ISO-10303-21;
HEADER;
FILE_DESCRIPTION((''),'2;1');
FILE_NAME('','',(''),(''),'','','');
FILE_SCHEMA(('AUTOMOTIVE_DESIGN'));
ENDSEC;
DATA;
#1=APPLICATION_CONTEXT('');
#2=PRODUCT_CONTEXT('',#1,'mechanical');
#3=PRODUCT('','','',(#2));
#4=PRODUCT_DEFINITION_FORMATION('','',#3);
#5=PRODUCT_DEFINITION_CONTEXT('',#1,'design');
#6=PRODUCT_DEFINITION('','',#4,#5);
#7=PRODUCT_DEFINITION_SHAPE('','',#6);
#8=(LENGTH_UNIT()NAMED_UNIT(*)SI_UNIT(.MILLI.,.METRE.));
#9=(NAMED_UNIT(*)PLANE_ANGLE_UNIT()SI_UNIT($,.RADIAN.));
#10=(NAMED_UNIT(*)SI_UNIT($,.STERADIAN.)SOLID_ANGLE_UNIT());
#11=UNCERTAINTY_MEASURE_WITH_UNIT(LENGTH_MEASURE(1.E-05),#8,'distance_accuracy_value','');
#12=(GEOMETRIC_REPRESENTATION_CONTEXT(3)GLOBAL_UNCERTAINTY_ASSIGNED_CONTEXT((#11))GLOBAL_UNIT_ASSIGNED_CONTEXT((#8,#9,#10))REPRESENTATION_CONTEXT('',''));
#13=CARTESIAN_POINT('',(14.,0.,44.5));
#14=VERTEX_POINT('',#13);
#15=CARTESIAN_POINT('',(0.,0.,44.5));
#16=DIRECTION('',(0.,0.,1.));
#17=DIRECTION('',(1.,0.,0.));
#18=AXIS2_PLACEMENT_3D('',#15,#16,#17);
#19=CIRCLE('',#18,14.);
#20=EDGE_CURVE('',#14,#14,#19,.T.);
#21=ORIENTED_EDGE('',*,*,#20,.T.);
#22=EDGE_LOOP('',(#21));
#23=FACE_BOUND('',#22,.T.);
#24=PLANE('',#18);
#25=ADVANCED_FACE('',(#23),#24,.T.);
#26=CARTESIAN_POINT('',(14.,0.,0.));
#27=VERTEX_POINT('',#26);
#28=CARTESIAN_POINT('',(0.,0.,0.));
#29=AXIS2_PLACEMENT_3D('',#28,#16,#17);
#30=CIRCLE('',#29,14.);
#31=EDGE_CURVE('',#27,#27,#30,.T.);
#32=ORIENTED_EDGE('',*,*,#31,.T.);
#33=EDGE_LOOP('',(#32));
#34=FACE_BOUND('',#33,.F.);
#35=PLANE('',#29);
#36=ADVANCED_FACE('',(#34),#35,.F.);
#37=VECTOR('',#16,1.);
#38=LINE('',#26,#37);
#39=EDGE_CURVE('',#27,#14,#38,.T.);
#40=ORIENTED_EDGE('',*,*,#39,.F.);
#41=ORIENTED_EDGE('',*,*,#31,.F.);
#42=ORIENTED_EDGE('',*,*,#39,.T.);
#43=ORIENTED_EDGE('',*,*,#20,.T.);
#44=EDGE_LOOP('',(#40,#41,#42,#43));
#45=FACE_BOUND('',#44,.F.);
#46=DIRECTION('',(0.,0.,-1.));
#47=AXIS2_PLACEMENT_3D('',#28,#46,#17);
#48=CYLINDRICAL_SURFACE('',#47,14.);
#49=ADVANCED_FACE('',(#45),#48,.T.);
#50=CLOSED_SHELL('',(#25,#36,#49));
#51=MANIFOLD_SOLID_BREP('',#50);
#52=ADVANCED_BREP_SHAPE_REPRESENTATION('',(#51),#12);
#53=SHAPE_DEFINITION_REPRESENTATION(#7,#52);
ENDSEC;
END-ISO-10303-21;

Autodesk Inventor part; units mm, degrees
ref_plane "YZ Plane" through (0, 0, 0) normal (1, 0, 0) x (0, 1, 0)
ref_plane "XZ Plane" through (0, 0, 0) normal (0, 1, 0) x (-1, 0, 0)
ref_plane "XY Plane" through (0, 0, 0) normal (0, 0, 1) x (1, 0, 0)
sketch "Sketch1" plane through (0, 0, 0) normal (0, 0, 1) x (1, 0, 0)
  circle A0 centre (0, 0) radius 14
  dimension "d0" = 28
extrude "Extrusion1" add sketch "Sketch1" along normal blind 44.5
properties part number "8010_2uF_Tx_Capacitor_v1" material "Acetal Resin, White"
